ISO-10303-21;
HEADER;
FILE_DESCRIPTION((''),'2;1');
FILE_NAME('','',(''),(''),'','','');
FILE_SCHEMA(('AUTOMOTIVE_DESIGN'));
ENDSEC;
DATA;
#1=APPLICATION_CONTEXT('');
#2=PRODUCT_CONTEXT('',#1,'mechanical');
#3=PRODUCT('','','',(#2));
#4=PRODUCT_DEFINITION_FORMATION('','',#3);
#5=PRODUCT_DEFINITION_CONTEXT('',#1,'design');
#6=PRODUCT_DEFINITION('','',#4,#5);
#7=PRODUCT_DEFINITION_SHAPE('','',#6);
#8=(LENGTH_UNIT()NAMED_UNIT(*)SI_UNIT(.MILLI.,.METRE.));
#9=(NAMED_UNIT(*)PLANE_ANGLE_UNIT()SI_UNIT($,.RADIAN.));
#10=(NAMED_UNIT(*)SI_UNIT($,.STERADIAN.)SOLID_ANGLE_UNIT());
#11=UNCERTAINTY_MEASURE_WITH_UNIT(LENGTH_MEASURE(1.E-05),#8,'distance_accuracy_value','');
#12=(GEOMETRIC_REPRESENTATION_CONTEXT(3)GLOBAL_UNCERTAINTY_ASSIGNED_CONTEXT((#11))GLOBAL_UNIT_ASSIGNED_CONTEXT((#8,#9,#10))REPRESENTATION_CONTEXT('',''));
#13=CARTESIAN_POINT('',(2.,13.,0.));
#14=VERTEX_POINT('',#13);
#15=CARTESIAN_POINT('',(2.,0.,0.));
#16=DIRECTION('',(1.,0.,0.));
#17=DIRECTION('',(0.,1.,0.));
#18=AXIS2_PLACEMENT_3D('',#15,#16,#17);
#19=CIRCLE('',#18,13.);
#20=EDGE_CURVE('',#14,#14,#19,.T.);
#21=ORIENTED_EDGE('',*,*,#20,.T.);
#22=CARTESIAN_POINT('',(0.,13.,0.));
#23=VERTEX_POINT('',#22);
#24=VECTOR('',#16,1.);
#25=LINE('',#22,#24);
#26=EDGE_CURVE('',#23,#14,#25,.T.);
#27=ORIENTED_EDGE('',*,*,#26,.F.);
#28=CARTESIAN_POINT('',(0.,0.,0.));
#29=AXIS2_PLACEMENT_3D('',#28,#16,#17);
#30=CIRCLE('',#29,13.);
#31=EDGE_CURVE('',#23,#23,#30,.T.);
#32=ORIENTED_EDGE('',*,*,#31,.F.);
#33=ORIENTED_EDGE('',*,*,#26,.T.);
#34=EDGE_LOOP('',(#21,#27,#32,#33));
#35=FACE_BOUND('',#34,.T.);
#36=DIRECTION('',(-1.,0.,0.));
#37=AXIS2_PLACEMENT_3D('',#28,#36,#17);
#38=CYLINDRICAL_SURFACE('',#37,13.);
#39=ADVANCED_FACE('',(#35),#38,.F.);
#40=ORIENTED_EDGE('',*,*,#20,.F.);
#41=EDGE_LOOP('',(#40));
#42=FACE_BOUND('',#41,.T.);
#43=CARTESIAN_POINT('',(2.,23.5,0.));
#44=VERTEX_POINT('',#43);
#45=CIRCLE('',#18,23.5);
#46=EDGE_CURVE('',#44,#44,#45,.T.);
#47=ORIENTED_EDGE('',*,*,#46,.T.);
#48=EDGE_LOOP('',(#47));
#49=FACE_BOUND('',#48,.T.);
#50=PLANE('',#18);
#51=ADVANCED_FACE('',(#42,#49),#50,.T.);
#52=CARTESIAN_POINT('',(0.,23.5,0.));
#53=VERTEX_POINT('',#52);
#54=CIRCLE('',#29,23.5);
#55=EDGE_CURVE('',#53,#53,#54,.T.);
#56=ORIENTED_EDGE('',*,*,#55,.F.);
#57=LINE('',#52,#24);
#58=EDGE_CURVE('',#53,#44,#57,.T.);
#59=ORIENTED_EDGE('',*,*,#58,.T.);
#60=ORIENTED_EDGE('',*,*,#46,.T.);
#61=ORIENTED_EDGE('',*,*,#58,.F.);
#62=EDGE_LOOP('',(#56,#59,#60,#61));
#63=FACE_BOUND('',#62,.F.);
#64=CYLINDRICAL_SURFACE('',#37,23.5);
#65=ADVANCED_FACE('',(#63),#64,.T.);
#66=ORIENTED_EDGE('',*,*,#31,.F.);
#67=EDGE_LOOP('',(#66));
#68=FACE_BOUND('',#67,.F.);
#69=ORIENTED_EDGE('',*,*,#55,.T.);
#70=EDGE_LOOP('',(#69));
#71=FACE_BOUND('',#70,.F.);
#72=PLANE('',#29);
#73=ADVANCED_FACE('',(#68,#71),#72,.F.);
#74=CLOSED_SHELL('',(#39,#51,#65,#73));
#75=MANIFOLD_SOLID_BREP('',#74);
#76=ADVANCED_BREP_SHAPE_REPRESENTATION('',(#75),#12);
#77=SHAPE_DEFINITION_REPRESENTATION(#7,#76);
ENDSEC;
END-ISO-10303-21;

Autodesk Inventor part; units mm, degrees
ref_plane "YZ Plane" through (0, 0, 0) normal (1, 0, 0) x (0, 1, 0)
ref_plane "XZ Plane" through (0, 0, 0) normal (0, 1, 0) x (-1, 0, 0)
ref_plane "XY Plane" through (0, 0, 0) normal (0, 0, 1) x (1, 0, 0)
sketch "Boceto1" plane through (0, 0, 0) normal (1, 0, 0) x (0, 1, 0)
  circle A0 centre (0, 0) radius 13
  circle A1 centre (0, 0) radius 23.5
  dimension "d_in" = 26
  dimension "d_out" = 47
extrude "Extrusión1" add sketch "Boceto1" along normal blind 2
properties part number "tapa casoleta"
